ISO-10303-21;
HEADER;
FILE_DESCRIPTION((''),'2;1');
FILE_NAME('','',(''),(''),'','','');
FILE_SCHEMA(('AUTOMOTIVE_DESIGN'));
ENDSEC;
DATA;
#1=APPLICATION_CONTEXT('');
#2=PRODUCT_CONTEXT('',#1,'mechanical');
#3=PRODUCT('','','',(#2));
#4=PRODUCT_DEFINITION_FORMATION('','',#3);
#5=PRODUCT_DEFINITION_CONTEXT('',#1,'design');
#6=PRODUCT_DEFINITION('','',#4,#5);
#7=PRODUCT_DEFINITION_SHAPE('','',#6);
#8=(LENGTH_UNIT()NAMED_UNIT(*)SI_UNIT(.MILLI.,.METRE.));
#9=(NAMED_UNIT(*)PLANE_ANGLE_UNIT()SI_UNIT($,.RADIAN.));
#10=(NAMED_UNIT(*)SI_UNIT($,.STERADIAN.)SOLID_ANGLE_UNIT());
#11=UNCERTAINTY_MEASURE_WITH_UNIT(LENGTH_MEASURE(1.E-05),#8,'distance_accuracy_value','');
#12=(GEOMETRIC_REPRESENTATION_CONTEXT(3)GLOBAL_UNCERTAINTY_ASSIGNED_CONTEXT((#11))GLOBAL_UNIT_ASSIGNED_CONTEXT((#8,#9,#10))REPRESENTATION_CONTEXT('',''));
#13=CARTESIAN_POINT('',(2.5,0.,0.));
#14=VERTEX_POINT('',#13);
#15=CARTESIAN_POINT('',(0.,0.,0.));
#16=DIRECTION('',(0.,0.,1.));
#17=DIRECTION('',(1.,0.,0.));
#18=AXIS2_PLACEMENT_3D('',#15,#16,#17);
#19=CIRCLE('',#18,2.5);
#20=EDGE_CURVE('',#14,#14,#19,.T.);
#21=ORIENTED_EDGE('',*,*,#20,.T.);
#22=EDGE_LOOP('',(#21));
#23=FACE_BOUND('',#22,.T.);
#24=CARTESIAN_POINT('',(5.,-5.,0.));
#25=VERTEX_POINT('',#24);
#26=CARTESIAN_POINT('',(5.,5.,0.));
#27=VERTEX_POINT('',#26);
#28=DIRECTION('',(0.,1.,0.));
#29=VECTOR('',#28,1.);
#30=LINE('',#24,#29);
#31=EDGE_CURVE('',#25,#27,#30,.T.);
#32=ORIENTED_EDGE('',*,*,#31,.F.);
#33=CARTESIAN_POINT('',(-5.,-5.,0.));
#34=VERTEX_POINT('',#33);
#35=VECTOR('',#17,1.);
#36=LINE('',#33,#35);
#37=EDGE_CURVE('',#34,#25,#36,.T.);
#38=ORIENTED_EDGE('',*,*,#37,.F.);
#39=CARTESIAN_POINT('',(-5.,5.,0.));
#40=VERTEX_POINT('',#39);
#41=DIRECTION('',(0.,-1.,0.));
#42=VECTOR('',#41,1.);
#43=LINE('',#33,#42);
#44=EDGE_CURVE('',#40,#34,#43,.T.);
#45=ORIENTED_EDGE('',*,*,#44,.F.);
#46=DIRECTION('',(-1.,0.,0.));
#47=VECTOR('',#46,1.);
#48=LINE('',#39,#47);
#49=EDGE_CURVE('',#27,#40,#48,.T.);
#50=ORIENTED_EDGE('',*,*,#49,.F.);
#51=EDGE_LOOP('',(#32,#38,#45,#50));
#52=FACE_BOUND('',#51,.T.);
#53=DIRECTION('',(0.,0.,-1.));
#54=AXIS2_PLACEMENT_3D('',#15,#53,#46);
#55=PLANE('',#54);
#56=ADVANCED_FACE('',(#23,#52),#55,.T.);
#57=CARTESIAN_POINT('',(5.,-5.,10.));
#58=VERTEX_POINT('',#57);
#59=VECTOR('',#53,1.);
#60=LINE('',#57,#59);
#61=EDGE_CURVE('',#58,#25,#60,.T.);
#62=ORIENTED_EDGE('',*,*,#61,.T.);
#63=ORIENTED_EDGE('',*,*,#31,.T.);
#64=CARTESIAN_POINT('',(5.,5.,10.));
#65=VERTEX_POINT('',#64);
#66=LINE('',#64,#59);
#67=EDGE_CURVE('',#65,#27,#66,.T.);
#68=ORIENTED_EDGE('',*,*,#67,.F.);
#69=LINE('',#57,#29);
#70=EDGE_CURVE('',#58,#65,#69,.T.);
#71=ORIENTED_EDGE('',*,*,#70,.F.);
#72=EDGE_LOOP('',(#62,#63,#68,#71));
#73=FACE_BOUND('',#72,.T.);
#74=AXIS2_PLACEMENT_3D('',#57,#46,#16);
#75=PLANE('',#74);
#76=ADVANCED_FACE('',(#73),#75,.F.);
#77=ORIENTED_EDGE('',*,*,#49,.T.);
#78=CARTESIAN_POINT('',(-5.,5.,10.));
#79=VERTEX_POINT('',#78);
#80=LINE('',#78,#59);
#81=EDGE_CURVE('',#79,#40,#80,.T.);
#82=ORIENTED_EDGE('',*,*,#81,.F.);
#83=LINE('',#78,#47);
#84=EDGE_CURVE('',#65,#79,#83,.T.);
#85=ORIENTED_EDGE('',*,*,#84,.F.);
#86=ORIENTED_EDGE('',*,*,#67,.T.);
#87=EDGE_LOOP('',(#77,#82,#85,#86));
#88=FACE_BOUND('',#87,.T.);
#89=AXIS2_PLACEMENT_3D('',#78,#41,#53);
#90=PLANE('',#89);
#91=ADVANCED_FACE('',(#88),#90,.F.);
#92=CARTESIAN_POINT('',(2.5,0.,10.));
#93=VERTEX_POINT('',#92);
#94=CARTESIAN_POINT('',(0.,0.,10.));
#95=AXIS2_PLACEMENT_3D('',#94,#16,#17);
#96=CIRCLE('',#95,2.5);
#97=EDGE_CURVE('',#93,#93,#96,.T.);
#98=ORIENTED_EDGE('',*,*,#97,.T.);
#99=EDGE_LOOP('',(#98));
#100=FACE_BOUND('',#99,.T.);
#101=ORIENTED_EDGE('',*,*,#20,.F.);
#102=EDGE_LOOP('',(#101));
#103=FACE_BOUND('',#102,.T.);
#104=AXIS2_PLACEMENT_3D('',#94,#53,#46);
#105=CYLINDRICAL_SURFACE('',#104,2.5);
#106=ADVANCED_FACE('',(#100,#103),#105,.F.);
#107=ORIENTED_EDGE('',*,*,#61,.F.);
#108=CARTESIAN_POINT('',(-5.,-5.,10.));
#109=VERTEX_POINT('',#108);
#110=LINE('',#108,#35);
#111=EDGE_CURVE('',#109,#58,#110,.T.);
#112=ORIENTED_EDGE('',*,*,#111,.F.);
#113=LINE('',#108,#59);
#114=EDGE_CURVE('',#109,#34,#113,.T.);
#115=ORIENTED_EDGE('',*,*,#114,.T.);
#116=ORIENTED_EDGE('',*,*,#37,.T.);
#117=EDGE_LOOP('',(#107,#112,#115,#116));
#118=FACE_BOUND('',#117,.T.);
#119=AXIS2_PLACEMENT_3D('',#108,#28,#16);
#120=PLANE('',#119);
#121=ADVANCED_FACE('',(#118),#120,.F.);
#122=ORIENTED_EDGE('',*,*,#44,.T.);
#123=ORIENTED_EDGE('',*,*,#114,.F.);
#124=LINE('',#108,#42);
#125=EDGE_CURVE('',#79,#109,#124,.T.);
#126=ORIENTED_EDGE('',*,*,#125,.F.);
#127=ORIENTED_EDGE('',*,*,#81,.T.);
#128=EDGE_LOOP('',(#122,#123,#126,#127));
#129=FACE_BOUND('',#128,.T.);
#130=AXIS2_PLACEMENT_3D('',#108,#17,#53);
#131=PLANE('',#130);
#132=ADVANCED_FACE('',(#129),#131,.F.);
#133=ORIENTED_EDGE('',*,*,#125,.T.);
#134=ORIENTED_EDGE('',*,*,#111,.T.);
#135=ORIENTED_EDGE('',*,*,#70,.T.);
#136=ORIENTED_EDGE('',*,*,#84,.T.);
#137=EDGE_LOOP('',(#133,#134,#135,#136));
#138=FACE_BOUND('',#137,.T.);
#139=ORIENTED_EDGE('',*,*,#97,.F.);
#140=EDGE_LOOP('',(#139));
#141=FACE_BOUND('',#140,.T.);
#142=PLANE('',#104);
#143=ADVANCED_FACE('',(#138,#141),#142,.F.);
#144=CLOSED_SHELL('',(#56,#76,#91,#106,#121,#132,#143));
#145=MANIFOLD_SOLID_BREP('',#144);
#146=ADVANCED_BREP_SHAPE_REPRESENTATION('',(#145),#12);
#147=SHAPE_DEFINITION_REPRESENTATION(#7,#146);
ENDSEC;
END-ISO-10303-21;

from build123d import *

# Parameters (mm, degrees)
SKETCH1_W           = 10
SKETCH1_H           = 10
SKETCH1_R           = 2.5
BOSS_EXTRUDE1_DEPTH = 10


with BuildPart() as part:
    # Sketch1 → Boss-Extrude1 (new body)
    with BuildSketch(Plane.XY):
        Rectangle(SKETCH1_W, SKETCH1_H)
        Circle(SKETCH1_R, mode=Mode.SUBTRACT)
    extrude(amount=BOSS_EXTRUDE1_DEPTH)


solid = part.part
